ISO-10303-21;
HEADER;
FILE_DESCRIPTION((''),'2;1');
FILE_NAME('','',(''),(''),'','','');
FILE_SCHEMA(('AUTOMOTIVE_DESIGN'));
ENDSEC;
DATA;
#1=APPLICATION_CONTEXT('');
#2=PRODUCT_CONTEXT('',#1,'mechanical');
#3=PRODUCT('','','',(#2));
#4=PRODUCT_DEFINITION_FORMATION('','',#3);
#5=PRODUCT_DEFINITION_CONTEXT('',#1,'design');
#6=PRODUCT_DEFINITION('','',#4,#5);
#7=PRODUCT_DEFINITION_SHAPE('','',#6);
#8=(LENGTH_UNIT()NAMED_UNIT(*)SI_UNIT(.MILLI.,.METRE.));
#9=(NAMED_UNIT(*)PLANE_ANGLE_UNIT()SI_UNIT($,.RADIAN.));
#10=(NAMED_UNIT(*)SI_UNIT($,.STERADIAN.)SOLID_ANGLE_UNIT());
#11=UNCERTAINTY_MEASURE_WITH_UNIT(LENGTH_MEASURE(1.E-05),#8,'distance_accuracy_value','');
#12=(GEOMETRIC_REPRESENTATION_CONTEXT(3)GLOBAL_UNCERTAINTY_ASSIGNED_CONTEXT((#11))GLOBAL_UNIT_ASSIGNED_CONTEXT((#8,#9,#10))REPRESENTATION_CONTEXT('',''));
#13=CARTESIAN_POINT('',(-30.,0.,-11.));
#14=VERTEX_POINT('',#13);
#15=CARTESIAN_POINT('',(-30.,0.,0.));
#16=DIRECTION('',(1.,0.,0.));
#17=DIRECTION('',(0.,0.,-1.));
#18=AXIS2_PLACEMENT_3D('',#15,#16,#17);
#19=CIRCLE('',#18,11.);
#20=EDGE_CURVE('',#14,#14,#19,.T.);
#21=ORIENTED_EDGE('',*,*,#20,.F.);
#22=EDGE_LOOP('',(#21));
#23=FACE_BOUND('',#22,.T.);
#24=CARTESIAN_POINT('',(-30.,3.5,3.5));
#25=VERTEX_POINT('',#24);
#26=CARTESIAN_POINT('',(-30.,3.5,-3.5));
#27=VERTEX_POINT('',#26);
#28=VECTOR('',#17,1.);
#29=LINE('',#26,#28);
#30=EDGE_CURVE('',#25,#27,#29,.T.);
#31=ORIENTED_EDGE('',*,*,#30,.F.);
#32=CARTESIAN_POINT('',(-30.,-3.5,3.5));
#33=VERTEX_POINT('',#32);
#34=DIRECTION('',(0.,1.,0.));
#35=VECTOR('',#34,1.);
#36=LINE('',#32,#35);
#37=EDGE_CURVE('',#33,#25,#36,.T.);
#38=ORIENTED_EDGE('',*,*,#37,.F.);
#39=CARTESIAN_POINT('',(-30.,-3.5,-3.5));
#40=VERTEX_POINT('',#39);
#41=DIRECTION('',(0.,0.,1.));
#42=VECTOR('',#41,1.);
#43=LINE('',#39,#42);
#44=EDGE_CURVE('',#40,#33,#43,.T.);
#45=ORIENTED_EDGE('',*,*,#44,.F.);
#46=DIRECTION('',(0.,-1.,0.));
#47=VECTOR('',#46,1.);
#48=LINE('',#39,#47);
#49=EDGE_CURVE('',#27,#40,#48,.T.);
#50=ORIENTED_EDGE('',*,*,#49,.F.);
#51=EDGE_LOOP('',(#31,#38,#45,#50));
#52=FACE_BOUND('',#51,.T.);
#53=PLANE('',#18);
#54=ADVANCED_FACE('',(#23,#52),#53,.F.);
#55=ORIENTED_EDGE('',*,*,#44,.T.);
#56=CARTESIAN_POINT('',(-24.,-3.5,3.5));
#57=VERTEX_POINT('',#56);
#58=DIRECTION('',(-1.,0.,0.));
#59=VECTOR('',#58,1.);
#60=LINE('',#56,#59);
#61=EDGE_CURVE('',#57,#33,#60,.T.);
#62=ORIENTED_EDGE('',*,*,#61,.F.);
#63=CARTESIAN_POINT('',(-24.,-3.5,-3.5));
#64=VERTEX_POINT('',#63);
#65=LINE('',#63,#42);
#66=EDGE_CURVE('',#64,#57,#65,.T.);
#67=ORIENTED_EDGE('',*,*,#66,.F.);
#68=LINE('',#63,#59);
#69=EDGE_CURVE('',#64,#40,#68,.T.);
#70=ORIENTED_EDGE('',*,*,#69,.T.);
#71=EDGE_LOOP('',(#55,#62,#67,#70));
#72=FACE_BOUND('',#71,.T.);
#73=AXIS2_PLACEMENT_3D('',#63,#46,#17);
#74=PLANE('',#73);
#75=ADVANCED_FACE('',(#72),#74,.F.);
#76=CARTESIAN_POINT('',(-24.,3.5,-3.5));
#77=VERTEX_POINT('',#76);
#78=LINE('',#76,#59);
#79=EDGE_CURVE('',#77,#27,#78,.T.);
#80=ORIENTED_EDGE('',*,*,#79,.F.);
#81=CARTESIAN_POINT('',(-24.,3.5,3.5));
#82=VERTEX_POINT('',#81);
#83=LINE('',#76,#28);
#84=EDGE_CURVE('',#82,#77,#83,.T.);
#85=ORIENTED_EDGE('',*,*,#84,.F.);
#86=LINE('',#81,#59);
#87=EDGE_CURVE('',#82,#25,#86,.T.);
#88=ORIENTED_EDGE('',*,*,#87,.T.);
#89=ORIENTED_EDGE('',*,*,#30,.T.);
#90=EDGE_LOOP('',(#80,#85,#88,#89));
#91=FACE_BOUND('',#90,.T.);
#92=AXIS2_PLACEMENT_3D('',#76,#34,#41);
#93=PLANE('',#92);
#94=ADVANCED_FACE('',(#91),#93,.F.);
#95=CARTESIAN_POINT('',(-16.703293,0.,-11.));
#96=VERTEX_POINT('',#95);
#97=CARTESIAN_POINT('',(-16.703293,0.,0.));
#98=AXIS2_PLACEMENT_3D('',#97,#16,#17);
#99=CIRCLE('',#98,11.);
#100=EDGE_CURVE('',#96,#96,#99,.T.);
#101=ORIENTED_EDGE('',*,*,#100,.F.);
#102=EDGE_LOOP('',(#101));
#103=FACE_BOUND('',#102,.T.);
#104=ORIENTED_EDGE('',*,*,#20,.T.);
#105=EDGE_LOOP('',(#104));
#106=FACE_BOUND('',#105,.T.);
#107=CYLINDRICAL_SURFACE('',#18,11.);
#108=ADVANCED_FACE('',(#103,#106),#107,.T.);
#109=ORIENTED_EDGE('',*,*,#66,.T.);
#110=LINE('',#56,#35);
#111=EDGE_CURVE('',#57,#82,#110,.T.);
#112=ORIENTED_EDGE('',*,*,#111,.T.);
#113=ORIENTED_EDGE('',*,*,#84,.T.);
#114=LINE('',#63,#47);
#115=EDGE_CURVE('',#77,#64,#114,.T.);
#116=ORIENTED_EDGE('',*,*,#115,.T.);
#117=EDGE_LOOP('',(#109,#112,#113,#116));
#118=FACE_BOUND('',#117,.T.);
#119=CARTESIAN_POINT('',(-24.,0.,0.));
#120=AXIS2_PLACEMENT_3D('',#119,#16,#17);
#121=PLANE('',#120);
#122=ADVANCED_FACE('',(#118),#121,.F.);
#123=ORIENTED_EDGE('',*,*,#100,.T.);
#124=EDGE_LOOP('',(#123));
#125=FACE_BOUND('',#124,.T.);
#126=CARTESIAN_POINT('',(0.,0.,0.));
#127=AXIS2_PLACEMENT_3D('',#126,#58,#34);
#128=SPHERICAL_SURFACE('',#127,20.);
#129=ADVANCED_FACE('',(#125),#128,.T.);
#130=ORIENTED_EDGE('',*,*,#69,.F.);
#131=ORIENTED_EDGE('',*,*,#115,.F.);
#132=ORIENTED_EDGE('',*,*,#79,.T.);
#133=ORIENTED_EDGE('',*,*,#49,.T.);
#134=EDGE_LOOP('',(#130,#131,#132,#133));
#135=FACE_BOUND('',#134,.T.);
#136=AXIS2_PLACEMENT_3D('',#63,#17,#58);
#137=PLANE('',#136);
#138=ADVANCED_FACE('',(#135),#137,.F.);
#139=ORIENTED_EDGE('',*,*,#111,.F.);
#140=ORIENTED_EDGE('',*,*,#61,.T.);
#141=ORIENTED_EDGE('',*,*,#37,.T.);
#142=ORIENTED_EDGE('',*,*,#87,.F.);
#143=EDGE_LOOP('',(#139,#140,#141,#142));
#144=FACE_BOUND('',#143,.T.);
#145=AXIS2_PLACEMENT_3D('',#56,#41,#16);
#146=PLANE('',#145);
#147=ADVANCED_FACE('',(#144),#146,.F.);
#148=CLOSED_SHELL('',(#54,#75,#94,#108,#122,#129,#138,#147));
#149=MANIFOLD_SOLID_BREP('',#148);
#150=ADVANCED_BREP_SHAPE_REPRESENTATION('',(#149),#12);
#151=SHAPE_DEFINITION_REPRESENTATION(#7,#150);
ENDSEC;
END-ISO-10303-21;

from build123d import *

# Parameters (mm, degrees)
SKETCH3_R           = 11
BOSS_EXTRUDE1_DEPTH = 30
SKETCH4_W           = 7
SKETCH4_H           = 7
CUT_EXTRUDE1_DEPTH  = 6


with BuildPart() as part:
    # Sketch1 → Revolve1 (revolve)
    with BuildSketch(Plane.XY):
        with BuildLine():
            Line((20, 0), (-20, 0))
            ThreePointArc((-20, 0), (0, 20), (20, 0))
        make_face()
    revolve(axis=Axis((-20, 0, 0), (1, 0, 0)))

    # Sketch3 → Boss-Extrude1 (add)
    with BuildSketch(Plane(origin=(0, 0, 0), x_dir=(0, 0, -1), z_dir=(1, 0, 0))):
        Circle(SKETCH3_R)
    extrude(amount=-BOSS_EXTRUDE1_DEPTH)

    # Sketch4 → Cut-Extrude1 (cut)
    with BuildSketch(Plane.ZY.offset(30)):
        Rectangle(SKETCH4_W, SKETCH4_H)
    extrude(amount=-CUT_EXTRUDE1_DEPTH, mode=Mode.SUBTRACT)


solid = part.part
